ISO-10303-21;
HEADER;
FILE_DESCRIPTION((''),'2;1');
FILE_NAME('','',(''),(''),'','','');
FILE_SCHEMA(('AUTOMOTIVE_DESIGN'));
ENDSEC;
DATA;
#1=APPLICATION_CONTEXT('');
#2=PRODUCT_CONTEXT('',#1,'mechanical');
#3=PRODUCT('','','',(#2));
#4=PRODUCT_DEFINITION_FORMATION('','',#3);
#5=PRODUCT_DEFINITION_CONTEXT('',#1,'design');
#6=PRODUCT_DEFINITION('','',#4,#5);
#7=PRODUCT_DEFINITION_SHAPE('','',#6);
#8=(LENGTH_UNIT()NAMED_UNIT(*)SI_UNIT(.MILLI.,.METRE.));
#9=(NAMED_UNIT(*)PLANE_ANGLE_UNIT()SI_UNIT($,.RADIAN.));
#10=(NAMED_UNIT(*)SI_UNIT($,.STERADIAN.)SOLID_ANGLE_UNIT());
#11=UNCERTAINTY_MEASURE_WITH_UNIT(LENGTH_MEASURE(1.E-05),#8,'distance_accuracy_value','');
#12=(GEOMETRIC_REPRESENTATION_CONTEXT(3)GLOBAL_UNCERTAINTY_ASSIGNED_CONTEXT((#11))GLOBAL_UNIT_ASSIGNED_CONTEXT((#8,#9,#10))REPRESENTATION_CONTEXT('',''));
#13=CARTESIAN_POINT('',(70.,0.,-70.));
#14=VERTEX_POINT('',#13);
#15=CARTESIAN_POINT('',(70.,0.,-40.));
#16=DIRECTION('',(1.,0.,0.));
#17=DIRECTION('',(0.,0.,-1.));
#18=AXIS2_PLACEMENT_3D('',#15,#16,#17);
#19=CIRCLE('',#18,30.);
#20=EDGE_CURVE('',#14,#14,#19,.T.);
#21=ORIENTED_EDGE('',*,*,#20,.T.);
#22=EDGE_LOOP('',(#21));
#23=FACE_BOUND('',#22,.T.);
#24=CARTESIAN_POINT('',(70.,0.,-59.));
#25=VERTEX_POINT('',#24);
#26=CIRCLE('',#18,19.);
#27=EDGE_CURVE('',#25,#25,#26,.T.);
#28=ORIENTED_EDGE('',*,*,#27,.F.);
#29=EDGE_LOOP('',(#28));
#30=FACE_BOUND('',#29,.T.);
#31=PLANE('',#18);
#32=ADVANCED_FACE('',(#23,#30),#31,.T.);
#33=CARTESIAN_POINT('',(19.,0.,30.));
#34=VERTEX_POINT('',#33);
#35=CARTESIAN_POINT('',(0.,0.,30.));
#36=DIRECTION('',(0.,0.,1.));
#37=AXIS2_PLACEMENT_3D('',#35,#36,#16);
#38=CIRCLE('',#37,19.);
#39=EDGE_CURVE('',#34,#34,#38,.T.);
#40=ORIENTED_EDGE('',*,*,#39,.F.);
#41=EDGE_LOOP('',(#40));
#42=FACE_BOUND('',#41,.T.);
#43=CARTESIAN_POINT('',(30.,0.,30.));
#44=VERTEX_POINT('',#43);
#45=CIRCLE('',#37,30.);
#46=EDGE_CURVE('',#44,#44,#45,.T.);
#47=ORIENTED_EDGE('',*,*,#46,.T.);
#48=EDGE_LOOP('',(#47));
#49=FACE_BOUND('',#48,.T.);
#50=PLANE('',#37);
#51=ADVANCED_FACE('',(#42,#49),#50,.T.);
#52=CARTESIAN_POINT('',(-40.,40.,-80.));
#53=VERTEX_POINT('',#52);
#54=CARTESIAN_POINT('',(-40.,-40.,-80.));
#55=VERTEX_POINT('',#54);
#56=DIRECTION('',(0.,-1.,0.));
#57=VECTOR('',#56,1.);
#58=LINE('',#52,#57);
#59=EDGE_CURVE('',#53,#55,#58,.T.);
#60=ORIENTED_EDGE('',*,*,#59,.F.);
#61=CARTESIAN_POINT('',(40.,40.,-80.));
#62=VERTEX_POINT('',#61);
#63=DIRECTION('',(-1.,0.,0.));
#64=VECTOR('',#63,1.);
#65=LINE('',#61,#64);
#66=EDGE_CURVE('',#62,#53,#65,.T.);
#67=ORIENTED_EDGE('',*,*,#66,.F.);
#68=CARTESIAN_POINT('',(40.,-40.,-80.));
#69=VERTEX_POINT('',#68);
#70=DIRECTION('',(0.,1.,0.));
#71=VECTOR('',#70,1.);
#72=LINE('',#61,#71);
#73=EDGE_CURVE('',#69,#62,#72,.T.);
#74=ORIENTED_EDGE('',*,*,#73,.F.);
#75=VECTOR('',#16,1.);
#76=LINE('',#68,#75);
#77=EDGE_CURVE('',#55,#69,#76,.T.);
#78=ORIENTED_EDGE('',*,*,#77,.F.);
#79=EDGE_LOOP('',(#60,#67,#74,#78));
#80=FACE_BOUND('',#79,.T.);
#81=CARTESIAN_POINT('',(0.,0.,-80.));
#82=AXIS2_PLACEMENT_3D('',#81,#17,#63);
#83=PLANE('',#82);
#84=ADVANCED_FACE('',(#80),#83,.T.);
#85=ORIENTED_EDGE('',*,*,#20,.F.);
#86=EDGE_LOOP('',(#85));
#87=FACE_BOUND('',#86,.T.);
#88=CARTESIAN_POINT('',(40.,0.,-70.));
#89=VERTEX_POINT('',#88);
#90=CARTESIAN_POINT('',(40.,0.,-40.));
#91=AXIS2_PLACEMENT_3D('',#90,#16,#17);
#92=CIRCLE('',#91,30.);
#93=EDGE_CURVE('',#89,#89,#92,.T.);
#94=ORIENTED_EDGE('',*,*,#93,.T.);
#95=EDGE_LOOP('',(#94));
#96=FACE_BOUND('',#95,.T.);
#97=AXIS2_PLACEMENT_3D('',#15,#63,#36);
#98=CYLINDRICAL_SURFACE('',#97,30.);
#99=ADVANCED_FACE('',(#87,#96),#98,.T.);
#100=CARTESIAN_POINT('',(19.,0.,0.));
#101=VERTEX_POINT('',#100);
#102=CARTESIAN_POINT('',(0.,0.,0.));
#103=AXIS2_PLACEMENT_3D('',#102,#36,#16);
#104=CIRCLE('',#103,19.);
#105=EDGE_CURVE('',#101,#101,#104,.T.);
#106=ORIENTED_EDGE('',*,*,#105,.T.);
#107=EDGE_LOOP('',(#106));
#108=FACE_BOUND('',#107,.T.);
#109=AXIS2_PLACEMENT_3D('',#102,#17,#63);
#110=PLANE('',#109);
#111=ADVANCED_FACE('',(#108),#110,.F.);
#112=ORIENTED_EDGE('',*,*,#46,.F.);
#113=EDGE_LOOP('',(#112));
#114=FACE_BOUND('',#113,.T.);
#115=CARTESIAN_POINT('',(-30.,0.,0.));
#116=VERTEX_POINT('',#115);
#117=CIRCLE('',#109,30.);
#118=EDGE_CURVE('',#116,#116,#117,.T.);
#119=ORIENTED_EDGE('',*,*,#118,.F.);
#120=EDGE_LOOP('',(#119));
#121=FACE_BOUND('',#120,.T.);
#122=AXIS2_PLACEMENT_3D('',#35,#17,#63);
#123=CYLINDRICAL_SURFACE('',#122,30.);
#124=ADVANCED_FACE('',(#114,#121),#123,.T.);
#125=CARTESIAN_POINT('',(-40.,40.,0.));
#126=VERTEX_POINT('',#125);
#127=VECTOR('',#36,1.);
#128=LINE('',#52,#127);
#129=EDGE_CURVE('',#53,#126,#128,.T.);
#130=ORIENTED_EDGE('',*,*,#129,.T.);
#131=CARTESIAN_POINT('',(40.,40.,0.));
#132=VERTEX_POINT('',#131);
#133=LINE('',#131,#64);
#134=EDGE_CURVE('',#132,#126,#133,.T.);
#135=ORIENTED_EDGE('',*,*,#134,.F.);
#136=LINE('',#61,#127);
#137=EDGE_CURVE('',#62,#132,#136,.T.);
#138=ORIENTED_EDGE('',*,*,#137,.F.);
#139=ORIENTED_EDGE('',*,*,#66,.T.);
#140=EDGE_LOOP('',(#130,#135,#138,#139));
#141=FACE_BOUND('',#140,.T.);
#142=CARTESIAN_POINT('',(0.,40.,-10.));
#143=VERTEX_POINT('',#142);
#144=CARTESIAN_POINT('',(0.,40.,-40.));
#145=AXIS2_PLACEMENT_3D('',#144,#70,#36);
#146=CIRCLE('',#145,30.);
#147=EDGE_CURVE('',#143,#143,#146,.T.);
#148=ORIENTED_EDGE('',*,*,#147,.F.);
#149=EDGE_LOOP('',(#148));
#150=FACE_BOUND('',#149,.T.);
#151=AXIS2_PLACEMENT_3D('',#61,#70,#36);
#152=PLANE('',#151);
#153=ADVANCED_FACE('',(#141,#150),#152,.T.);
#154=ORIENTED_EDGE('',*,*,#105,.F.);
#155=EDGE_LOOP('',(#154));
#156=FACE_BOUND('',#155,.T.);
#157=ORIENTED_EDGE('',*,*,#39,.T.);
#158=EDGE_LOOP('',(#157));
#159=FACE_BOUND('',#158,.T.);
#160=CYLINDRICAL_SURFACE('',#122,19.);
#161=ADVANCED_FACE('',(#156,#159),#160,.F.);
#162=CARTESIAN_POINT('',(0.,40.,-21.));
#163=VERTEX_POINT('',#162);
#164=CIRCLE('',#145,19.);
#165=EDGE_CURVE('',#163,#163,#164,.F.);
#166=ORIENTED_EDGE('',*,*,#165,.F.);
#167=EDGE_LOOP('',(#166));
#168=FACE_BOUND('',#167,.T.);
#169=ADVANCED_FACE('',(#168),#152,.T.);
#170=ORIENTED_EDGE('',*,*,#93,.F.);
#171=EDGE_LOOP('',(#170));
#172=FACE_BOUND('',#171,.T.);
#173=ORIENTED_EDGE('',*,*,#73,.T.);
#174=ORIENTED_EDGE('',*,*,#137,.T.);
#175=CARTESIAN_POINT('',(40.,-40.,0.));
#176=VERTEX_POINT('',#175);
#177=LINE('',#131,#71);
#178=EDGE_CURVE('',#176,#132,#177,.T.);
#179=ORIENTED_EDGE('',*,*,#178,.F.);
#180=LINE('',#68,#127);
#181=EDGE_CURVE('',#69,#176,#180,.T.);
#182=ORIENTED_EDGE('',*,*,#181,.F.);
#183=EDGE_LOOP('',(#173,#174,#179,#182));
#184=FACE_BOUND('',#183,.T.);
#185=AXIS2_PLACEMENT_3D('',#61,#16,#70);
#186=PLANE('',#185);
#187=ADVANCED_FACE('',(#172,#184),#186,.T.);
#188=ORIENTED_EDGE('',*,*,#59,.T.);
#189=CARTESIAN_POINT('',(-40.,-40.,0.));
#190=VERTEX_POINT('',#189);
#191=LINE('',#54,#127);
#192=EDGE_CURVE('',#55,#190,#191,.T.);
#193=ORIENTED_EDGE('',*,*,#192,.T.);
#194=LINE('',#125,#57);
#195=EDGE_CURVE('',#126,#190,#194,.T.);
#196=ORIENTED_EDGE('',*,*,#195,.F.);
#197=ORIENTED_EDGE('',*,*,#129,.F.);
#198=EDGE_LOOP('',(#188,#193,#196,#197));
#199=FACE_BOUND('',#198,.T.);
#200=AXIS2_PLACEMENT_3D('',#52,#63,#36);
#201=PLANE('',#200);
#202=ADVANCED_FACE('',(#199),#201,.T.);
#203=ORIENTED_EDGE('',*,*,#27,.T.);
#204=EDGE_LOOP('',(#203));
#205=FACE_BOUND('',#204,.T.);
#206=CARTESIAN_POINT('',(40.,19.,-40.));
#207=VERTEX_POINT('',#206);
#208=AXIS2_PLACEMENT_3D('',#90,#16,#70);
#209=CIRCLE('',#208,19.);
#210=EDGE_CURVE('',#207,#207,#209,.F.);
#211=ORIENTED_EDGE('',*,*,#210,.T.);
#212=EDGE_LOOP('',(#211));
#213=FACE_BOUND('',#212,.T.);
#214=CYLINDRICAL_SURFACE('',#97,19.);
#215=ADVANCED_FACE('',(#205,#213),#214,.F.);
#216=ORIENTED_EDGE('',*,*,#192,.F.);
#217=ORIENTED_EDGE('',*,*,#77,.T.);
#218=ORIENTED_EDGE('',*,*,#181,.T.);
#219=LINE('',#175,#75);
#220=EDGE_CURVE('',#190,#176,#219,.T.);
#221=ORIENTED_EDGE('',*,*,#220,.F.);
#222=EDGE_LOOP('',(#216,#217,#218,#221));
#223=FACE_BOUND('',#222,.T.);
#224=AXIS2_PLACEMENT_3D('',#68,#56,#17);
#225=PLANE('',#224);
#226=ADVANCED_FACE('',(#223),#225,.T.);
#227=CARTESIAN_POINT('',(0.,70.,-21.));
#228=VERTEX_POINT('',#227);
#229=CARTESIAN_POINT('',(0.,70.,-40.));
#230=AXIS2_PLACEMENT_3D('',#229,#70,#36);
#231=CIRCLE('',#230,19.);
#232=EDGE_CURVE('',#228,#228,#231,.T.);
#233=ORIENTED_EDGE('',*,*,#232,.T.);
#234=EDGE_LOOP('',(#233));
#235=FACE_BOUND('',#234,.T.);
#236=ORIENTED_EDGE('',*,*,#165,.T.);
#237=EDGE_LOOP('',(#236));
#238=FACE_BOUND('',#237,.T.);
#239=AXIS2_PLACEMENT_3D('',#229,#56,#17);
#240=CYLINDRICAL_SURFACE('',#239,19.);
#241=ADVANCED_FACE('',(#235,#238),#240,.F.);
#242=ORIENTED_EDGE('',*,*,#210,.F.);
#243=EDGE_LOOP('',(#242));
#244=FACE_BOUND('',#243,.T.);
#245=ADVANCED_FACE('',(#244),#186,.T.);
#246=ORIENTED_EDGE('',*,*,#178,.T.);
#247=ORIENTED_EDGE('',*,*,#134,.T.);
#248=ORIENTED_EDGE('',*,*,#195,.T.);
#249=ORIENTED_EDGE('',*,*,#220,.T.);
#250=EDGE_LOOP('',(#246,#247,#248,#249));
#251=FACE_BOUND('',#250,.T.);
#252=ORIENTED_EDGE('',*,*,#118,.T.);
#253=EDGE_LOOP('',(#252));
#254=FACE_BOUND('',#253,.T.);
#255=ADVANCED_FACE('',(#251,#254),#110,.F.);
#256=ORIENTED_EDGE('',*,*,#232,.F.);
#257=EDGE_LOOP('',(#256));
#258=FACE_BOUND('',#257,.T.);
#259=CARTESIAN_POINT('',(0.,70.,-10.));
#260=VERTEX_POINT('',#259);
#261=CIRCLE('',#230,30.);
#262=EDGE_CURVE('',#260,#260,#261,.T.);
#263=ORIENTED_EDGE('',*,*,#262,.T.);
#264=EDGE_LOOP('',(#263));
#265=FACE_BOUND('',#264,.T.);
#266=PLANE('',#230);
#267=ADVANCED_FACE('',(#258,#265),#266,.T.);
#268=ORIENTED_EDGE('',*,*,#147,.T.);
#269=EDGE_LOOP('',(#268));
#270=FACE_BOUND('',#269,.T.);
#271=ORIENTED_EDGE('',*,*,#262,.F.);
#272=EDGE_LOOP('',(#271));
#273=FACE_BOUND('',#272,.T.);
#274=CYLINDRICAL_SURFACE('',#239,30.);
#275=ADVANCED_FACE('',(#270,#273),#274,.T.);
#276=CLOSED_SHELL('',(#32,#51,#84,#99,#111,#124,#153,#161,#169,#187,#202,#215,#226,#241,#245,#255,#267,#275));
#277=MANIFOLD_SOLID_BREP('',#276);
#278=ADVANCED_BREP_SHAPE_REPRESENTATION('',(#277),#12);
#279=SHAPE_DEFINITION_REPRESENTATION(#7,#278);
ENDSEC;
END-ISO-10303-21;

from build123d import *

# Parameters (mm, degrees)
CROQUIS1_R              = 30
CROQUIS1_R_2            = 19
SALIENTE_EXTRUIR1_DEPTH = 30
CROQUIS2_W              = 80
CROQUIS2_H              = 80
SALIENTE_EXTRUIR2_DEPTH = 80
CROQUIS3_R              = 30
CROQUIS3_R_2            = 19
SALIENTE_EXTRUIR3_DEPTH = 30
CROQUIS4_R              = 30
CROQUIS4_R_2            = 19
SALIENTE_EXTRUIR4_DEPTH = 30


with BuildPart() as part:
    # Croquis1 → Saliente-Extruir1 (new body)
    with BuildSketch(Plane.XY):
        Circle(CROQUIS1_R)
        Circle(CROQUIS1_R_2, mode=Mode.SUBTRACT)
    extrude(amount=SALIENTE_EXTRUIR1_DEPTH)

    # Croquis2 → Saliente-Extruir2 (add)
    with BuildSketch(Plane.XY):
        Rectangle(CROQUIS2_W, CROQUIS2_H)
    extrude(amount=-SALIENTE_EXTRUIR2_DEPTH)

    # Croquis3 → Saliente-Extruir3 (add)
    with BuildSketch(Plane(origin=(40, 0, 0), x_dir=(0, 0, -1), z_dir=(1, 0, 0))):
        with Locations((40, 0)):
            Circle(CROQUIS3_R)
        with Locations(Location((40, 0, 0), (0, 0, 90))):
            Circle(CROQUIS3_R_2, mode=Mode.SUBTRACT)
    extrude(amount=SALIENTE_EXTRUIR3_DEPTH)

    # Croquis4 → Saliente-Extruir4 (add)
    with BuildSketch(Plane(origin=(0, 40, 0), x_dir=(1, 0, 0), z_dir=(0, 1, 0))):
        with Locations(Location((0, 40, 0), (0, 0, 270))):
            Circle(CROQUIS4_R)
        with Locations(Location((0, 40, 0), (0, 0, 270))):
            Circle(CROQUIS4_R_2, mode=Mode.SUBTRACT)
    extrude(amount=SALIENTE_EXTRUIR4_DEPTH)


solid = part.part
